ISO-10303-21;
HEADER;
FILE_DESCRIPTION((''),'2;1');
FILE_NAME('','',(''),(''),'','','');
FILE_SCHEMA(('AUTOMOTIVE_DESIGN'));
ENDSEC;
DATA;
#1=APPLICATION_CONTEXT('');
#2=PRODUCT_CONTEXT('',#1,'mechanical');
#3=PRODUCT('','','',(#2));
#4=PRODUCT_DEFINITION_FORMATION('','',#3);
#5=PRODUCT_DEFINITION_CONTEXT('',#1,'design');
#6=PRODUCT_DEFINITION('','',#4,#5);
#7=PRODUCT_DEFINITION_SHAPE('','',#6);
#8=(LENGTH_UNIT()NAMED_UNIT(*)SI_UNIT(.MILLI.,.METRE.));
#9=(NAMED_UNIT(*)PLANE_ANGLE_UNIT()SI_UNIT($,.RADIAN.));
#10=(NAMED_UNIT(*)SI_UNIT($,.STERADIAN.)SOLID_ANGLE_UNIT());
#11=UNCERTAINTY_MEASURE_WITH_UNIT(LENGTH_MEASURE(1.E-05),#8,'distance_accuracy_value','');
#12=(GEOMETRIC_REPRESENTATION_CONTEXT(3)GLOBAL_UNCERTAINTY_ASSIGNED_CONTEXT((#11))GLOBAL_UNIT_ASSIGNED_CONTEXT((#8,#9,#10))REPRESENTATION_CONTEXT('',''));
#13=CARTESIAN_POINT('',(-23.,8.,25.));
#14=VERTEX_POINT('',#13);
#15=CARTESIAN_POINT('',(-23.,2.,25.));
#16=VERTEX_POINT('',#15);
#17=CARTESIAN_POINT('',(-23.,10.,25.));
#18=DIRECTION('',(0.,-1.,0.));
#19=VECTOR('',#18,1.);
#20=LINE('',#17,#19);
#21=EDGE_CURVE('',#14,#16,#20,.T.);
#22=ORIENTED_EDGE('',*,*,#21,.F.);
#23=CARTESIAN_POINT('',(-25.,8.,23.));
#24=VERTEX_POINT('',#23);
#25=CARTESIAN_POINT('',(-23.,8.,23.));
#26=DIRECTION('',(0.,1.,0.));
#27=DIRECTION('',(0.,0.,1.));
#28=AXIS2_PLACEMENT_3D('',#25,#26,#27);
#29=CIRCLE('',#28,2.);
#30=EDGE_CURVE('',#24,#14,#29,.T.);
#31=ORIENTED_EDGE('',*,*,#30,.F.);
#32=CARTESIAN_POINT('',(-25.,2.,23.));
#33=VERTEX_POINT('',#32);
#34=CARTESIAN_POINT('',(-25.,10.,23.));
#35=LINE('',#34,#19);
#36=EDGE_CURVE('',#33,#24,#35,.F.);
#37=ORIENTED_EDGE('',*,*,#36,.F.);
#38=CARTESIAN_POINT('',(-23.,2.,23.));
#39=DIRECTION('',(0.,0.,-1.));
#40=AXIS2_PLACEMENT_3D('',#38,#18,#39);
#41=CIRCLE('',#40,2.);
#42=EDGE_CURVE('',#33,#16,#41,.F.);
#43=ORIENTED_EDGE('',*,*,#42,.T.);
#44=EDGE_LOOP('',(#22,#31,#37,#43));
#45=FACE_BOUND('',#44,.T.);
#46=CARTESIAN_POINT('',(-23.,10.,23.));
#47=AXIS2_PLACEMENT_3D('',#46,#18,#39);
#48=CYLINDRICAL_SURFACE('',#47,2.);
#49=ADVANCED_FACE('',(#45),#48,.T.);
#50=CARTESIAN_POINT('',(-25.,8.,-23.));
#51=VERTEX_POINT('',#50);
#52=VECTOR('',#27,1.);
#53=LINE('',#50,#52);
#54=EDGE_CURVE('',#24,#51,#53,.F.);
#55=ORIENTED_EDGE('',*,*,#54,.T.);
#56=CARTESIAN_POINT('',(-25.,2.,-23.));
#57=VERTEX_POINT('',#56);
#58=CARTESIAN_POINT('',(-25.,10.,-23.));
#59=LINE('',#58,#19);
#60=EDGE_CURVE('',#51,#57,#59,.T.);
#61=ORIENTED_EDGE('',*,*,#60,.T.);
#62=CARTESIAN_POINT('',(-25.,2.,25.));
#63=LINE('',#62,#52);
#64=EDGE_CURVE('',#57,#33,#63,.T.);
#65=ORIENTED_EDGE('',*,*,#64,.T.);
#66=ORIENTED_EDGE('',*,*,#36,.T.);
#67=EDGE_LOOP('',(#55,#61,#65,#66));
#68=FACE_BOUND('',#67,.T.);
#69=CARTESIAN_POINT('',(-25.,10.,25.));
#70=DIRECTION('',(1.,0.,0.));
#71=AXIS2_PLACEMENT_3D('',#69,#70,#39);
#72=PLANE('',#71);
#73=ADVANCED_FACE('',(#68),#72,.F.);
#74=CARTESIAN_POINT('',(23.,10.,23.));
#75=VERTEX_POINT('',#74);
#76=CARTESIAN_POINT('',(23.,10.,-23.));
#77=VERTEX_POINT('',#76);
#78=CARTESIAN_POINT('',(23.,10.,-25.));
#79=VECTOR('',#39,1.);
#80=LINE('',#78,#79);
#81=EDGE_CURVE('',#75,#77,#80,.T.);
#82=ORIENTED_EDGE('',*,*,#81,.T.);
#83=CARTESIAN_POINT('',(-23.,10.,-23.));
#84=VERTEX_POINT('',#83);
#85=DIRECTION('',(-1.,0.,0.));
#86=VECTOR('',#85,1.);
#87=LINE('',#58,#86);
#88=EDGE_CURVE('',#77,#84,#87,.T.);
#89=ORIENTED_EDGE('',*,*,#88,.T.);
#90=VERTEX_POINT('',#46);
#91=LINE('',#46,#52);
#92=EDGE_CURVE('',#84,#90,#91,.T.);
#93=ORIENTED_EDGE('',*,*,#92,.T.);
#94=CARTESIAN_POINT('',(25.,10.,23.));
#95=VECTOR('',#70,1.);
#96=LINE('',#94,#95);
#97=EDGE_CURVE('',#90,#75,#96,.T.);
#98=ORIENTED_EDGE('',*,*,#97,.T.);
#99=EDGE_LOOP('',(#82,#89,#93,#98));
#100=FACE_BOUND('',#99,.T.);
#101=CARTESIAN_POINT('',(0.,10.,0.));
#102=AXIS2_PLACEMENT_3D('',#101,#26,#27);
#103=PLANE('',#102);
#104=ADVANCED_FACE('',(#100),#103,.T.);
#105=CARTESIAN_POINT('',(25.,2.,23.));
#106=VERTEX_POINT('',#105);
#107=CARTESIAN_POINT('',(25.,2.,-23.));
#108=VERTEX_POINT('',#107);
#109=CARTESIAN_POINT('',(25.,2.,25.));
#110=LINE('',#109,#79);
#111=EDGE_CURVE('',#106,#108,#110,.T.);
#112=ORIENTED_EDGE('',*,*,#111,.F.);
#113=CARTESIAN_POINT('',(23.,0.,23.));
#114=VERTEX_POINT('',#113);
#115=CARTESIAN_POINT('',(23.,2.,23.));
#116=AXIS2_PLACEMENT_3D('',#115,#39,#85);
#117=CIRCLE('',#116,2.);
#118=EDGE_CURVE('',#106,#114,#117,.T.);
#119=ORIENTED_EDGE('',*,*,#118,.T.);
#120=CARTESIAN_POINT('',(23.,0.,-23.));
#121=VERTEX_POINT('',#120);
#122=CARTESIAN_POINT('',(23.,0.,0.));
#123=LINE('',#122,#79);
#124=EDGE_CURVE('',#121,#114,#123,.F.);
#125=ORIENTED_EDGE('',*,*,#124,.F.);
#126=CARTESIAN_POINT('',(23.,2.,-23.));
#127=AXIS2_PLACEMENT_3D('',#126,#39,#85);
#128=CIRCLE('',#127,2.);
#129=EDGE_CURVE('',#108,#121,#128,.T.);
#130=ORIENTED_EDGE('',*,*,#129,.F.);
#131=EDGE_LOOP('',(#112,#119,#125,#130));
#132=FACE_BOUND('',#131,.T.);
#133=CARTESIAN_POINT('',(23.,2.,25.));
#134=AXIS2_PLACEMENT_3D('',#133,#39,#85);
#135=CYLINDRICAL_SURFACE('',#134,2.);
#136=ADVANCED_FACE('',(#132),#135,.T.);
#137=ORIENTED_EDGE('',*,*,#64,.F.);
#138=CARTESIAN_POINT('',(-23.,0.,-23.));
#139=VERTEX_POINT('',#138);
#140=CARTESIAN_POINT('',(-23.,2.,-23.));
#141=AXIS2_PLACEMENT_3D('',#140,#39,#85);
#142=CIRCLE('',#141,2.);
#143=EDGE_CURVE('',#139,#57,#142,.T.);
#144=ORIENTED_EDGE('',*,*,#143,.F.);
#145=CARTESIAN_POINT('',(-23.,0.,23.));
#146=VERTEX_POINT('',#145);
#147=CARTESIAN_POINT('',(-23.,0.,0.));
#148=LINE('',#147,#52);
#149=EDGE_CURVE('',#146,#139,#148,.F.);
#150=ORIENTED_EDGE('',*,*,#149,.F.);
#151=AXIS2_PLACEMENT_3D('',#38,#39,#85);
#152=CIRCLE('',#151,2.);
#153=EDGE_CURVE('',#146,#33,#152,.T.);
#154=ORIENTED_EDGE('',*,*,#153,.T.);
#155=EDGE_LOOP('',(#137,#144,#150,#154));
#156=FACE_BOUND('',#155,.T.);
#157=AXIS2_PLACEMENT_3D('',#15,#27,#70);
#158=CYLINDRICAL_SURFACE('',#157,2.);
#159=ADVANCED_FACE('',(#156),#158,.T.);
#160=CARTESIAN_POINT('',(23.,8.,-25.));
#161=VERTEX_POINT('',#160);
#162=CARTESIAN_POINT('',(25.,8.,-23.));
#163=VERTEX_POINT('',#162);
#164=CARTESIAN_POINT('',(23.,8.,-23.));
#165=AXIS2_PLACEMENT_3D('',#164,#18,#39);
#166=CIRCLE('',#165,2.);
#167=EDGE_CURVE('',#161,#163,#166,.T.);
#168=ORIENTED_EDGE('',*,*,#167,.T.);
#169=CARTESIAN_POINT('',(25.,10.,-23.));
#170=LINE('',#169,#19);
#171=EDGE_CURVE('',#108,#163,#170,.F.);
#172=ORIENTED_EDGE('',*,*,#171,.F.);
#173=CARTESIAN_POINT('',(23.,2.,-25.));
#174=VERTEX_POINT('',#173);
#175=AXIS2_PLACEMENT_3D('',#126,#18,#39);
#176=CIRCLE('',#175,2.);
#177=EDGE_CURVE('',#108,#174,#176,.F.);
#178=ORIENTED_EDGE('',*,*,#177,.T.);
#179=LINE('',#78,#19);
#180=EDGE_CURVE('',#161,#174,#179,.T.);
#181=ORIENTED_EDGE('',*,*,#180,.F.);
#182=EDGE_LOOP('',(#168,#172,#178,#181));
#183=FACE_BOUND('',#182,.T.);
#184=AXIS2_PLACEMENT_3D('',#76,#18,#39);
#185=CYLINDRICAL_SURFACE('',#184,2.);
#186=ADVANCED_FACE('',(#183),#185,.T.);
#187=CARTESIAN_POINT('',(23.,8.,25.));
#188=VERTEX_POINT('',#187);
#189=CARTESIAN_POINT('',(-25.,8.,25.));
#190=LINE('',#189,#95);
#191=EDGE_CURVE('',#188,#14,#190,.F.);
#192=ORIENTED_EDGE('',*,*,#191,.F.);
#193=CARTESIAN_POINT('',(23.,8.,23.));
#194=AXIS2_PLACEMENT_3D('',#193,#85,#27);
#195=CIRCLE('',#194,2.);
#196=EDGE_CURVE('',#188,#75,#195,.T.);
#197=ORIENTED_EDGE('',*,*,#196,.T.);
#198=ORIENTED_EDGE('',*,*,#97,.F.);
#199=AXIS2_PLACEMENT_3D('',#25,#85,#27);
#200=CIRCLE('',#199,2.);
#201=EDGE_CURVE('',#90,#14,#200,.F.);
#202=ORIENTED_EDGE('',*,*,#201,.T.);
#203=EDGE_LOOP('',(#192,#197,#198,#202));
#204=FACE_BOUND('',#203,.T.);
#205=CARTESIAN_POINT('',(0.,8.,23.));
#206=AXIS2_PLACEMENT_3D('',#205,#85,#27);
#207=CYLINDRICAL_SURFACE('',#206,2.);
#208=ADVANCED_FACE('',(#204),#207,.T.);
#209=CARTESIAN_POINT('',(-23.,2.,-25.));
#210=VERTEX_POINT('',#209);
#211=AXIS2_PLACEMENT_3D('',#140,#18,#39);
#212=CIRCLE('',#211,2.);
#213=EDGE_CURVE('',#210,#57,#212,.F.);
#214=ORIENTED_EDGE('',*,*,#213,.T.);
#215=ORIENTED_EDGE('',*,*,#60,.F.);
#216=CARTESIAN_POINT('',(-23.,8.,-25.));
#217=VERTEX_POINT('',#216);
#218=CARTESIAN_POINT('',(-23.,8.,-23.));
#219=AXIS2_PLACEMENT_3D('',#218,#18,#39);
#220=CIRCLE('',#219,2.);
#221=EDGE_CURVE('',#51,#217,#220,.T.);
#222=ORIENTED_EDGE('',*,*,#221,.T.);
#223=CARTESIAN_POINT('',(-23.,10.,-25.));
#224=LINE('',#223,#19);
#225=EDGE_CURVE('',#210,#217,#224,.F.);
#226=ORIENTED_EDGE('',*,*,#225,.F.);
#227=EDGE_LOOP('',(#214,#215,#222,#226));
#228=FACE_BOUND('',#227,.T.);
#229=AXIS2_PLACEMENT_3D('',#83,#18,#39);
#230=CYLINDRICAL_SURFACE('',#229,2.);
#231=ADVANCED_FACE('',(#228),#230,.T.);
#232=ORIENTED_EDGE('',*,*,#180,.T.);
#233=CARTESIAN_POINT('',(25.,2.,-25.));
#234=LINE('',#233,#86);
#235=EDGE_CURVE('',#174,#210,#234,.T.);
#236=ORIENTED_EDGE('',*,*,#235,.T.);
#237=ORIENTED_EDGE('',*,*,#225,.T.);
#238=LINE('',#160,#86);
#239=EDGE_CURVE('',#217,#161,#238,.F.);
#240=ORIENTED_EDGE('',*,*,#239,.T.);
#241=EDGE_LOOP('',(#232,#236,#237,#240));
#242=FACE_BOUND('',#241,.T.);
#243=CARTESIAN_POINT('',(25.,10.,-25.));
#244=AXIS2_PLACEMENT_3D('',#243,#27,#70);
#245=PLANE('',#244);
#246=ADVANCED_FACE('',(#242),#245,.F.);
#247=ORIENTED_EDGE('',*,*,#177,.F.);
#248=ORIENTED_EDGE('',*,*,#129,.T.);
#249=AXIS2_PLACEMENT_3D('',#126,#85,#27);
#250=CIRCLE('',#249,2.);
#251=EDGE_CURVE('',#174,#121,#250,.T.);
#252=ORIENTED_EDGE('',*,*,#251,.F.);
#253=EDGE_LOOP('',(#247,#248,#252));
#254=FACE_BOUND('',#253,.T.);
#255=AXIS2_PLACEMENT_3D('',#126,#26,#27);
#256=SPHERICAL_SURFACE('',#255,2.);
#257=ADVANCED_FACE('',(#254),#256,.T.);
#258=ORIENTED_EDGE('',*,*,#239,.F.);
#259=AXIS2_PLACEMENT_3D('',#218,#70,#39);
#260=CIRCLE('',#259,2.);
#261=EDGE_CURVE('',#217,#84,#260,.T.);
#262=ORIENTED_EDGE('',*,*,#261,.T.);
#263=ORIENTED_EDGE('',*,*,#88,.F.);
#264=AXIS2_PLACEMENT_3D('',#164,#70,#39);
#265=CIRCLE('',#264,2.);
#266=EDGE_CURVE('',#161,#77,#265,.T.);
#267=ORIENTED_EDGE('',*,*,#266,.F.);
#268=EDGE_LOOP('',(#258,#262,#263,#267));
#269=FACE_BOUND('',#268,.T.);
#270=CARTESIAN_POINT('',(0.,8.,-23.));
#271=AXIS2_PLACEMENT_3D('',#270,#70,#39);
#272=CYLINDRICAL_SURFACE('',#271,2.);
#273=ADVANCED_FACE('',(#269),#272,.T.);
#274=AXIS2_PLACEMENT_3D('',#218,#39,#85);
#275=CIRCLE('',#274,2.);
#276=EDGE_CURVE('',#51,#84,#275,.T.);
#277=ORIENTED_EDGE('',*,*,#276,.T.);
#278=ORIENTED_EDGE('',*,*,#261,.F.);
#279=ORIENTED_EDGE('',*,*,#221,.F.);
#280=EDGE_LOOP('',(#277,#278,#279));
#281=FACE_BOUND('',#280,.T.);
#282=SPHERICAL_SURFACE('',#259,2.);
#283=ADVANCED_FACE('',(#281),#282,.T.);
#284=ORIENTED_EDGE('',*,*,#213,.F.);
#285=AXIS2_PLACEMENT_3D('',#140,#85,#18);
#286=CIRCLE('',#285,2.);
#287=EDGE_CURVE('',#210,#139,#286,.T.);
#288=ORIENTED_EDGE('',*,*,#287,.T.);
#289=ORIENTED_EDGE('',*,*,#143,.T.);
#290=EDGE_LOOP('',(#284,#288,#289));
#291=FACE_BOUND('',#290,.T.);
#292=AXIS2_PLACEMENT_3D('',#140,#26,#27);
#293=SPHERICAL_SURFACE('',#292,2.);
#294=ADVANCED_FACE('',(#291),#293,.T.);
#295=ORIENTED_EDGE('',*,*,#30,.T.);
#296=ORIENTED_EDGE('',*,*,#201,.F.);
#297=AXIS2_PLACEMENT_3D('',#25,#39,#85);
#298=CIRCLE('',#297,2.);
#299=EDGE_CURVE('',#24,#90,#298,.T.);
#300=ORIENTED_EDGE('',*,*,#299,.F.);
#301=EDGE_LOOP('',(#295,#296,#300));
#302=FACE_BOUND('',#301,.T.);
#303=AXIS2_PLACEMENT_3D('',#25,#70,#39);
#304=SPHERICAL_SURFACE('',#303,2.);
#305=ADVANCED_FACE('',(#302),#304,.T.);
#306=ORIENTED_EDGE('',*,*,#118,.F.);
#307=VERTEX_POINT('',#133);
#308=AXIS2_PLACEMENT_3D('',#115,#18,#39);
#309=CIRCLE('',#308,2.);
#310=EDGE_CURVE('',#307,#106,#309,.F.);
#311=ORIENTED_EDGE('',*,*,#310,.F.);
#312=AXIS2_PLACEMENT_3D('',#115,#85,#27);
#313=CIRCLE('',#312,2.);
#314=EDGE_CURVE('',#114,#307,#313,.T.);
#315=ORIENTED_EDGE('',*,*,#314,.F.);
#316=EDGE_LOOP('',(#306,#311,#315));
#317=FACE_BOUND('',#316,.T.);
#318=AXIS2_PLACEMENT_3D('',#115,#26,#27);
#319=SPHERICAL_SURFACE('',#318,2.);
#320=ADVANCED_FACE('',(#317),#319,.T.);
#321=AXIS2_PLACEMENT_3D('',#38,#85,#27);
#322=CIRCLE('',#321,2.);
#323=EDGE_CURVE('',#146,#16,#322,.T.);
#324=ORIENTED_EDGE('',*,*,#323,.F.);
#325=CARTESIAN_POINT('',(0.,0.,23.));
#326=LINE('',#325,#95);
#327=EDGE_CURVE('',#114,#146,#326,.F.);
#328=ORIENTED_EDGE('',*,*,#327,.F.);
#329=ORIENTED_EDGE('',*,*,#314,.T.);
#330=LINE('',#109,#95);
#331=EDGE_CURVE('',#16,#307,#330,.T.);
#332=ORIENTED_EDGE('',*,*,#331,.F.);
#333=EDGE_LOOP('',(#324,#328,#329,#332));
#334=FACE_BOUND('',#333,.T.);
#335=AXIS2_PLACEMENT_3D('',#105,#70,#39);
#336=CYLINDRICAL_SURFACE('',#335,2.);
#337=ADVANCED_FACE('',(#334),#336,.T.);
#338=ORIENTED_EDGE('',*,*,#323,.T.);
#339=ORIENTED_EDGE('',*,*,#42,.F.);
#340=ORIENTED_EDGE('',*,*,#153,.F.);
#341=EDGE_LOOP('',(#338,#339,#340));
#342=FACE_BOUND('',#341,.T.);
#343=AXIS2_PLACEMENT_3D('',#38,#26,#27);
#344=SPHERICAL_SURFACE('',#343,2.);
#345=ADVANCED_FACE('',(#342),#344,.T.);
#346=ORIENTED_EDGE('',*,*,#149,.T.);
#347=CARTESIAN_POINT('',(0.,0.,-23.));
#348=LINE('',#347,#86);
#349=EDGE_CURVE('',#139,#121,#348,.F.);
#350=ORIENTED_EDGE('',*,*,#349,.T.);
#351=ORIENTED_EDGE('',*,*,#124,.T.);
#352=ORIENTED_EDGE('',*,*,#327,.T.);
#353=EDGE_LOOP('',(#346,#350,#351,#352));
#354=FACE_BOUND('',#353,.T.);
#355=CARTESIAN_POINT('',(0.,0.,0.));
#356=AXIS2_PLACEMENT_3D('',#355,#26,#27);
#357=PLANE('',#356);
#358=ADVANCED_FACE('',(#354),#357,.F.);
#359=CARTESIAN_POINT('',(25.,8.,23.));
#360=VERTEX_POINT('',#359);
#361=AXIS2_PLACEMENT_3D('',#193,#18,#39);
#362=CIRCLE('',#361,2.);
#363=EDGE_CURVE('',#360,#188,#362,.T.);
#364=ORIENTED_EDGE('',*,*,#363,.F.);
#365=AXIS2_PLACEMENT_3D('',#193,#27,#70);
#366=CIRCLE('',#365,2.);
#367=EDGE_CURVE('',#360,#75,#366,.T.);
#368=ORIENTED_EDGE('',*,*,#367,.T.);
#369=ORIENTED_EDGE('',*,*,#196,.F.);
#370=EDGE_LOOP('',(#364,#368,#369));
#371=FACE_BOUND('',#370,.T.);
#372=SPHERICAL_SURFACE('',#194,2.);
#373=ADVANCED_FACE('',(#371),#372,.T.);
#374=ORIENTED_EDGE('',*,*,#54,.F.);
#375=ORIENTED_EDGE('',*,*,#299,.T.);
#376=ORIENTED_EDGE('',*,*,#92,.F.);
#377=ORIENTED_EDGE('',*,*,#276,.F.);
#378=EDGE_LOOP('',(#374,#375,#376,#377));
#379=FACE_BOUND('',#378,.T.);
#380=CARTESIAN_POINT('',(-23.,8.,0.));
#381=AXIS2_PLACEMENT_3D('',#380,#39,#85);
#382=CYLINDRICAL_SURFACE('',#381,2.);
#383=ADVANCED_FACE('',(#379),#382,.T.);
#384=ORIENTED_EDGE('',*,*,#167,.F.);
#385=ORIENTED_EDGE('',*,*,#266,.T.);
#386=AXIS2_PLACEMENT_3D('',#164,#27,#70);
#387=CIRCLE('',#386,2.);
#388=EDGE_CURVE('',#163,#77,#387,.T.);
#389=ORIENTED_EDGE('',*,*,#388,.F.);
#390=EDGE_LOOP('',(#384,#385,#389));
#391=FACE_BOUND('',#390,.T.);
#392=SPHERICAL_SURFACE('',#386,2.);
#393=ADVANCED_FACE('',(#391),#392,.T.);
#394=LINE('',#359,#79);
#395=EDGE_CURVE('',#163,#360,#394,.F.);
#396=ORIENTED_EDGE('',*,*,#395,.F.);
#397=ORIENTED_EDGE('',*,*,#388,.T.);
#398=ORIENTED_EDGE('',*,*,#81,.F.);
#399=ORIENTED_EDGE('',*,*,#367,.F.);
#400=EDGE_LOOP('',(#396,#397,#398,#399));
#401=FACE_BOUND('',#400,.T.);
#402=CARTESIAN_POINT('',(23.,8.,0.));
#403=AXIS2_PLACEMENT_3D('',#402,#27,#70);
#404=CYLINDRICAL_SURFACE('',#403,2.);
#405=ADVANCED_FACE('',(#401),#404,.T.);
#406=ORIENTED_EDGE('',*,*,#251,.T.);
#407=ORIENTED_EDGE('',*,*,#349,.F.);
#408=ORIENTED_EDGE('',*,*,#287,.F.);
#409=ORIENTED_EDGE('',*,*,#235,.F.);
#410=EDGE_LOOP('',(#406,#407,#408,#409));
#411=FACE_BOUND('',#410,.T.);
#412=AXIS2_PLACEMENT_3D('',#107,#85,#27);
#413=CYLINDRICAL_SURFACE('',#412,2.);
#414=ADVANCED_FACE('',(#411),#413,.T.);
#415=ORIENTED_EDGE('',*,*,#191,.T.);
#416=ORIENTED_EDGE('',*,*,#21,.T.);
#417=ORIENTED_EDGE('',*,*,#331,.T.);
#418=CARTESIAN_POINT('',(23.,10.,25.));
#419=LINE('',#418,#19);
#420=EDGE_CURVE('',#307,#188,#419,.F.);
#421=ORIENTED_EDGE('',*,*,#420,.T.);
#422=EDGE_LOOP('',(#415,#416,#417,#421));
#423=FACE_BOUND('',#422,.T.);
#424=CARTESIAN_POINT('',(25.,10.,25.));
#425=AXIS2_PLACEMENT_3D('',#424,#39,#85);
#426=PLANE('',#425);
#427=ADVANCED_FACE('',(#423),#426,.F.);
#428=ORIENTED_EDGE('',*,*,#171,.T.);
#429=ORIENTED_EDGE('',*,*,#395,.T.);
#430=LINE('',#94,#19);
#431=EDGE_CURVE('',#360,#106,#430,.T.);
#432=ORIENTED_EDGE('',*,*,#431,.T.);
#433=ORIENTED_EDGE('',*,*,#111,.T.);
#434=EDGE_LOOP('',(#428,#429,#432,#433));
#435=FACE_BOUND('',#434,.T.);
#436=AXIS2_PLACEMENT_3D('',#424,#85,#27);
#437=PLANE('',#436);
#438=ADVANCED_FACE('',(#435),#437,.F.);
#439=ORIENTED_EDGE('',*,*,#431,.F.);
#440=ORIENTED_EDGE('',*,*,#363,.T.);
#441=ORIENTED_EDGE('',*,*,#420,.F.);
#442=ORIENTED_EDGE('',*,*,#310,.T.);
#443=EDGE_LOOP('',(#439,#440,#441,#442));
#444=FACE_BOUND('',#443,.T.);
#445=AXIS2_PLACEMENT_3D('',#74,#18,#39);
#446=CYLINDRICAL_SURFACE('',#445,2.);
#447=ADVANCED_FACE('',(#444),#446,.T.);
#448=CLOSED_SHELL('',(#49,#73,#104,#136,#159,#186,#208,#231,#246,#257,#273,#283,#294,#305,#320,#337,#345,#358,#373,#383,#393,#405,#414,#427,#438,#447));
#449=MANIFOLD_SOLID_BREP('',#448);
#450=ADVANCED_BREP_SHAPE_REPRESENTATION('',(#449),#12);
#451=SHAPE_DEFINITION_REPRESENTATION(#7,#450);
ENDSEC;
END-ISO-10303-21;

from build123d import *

# Parameters (mm, degrees)
SKETCH1_W           = 50
SKETCH1_H           = 50
BOSS_EXTRUDE1_DEPTH = 10
FILLET1_R           = 2
FILLET2_R           = 2
FILLET3_R           = 2
FILLET4_R           = 2
FILLET5_R           = 2


with BuildPart() as part:
    # Sketch1 → Boss-Extrude1 (new body)
    with BuildSketch(Plane(origin=(0, 0, 0), x_dir=(1, 0, 0), z_dir=(0, 1, 0))):
        Rectangle(SKETCH1_W, SKETCH1_H)
    extrude(amount=BOSS_EXTRUDE1_DEPTH)

    # Fillet1
    fillet1_edges = [part.edges().sort_by_distance(p)[0] for p in [
        (0, 10, 25),
    ]]
    fillet(fillet1_edges, radius=FILLET1_R)

    # Fillet2
    fillet2_edges = [part.edges().sort_by_distance(p)[0] for p in [
        (25, 10, -1),
        (25, 4, 25),
        (25, 9.414213562, 24.414213562),
    ]]
    fillet(fillet2_edges, radius=FILLET2_R)

    # Fillet3
    fillet3_edges = [part.edges().sort_by_distance(p)[0] for p in [
        (25, 4, -25),
        (-1, 10, -25),
        (24.414213562, 9.414213562, -25),
    ]]
    fillet(fillet3_edges, radius=FILLET3_R)

    # Fillet4
    fillet4_edges = [part.edges().sort_by_distance(p)[0] for p in [
        (-25, 4, 25),
        (-25, 9.414213562, 24.414213562),
        (-25, 4, -25),
        (-25, 10, 0),
        (-25, 9.414213562, -24.414213562),
    ]]
    fillet(fillet4_edges, radius=FILLET4_R)

    # Fillet5
    fillet5_edges = [part.edges().sort_by_distance(p)[0] for p in [
        (25, 0, 0),
        (24.414213562, 0, 24.414213562),
        (0, 0, -25),
        (24.414213562, 0, -24.414213562),
        (-25, 0, 0),
        (0, 0, 25),
        (-24.414213562, 0, 24.414213562),
        (-24.414213562, 0, -24.414213562),
    ]]
    fillet(fillet5_edges, radius=FILLET5_R)


solid = part.part
